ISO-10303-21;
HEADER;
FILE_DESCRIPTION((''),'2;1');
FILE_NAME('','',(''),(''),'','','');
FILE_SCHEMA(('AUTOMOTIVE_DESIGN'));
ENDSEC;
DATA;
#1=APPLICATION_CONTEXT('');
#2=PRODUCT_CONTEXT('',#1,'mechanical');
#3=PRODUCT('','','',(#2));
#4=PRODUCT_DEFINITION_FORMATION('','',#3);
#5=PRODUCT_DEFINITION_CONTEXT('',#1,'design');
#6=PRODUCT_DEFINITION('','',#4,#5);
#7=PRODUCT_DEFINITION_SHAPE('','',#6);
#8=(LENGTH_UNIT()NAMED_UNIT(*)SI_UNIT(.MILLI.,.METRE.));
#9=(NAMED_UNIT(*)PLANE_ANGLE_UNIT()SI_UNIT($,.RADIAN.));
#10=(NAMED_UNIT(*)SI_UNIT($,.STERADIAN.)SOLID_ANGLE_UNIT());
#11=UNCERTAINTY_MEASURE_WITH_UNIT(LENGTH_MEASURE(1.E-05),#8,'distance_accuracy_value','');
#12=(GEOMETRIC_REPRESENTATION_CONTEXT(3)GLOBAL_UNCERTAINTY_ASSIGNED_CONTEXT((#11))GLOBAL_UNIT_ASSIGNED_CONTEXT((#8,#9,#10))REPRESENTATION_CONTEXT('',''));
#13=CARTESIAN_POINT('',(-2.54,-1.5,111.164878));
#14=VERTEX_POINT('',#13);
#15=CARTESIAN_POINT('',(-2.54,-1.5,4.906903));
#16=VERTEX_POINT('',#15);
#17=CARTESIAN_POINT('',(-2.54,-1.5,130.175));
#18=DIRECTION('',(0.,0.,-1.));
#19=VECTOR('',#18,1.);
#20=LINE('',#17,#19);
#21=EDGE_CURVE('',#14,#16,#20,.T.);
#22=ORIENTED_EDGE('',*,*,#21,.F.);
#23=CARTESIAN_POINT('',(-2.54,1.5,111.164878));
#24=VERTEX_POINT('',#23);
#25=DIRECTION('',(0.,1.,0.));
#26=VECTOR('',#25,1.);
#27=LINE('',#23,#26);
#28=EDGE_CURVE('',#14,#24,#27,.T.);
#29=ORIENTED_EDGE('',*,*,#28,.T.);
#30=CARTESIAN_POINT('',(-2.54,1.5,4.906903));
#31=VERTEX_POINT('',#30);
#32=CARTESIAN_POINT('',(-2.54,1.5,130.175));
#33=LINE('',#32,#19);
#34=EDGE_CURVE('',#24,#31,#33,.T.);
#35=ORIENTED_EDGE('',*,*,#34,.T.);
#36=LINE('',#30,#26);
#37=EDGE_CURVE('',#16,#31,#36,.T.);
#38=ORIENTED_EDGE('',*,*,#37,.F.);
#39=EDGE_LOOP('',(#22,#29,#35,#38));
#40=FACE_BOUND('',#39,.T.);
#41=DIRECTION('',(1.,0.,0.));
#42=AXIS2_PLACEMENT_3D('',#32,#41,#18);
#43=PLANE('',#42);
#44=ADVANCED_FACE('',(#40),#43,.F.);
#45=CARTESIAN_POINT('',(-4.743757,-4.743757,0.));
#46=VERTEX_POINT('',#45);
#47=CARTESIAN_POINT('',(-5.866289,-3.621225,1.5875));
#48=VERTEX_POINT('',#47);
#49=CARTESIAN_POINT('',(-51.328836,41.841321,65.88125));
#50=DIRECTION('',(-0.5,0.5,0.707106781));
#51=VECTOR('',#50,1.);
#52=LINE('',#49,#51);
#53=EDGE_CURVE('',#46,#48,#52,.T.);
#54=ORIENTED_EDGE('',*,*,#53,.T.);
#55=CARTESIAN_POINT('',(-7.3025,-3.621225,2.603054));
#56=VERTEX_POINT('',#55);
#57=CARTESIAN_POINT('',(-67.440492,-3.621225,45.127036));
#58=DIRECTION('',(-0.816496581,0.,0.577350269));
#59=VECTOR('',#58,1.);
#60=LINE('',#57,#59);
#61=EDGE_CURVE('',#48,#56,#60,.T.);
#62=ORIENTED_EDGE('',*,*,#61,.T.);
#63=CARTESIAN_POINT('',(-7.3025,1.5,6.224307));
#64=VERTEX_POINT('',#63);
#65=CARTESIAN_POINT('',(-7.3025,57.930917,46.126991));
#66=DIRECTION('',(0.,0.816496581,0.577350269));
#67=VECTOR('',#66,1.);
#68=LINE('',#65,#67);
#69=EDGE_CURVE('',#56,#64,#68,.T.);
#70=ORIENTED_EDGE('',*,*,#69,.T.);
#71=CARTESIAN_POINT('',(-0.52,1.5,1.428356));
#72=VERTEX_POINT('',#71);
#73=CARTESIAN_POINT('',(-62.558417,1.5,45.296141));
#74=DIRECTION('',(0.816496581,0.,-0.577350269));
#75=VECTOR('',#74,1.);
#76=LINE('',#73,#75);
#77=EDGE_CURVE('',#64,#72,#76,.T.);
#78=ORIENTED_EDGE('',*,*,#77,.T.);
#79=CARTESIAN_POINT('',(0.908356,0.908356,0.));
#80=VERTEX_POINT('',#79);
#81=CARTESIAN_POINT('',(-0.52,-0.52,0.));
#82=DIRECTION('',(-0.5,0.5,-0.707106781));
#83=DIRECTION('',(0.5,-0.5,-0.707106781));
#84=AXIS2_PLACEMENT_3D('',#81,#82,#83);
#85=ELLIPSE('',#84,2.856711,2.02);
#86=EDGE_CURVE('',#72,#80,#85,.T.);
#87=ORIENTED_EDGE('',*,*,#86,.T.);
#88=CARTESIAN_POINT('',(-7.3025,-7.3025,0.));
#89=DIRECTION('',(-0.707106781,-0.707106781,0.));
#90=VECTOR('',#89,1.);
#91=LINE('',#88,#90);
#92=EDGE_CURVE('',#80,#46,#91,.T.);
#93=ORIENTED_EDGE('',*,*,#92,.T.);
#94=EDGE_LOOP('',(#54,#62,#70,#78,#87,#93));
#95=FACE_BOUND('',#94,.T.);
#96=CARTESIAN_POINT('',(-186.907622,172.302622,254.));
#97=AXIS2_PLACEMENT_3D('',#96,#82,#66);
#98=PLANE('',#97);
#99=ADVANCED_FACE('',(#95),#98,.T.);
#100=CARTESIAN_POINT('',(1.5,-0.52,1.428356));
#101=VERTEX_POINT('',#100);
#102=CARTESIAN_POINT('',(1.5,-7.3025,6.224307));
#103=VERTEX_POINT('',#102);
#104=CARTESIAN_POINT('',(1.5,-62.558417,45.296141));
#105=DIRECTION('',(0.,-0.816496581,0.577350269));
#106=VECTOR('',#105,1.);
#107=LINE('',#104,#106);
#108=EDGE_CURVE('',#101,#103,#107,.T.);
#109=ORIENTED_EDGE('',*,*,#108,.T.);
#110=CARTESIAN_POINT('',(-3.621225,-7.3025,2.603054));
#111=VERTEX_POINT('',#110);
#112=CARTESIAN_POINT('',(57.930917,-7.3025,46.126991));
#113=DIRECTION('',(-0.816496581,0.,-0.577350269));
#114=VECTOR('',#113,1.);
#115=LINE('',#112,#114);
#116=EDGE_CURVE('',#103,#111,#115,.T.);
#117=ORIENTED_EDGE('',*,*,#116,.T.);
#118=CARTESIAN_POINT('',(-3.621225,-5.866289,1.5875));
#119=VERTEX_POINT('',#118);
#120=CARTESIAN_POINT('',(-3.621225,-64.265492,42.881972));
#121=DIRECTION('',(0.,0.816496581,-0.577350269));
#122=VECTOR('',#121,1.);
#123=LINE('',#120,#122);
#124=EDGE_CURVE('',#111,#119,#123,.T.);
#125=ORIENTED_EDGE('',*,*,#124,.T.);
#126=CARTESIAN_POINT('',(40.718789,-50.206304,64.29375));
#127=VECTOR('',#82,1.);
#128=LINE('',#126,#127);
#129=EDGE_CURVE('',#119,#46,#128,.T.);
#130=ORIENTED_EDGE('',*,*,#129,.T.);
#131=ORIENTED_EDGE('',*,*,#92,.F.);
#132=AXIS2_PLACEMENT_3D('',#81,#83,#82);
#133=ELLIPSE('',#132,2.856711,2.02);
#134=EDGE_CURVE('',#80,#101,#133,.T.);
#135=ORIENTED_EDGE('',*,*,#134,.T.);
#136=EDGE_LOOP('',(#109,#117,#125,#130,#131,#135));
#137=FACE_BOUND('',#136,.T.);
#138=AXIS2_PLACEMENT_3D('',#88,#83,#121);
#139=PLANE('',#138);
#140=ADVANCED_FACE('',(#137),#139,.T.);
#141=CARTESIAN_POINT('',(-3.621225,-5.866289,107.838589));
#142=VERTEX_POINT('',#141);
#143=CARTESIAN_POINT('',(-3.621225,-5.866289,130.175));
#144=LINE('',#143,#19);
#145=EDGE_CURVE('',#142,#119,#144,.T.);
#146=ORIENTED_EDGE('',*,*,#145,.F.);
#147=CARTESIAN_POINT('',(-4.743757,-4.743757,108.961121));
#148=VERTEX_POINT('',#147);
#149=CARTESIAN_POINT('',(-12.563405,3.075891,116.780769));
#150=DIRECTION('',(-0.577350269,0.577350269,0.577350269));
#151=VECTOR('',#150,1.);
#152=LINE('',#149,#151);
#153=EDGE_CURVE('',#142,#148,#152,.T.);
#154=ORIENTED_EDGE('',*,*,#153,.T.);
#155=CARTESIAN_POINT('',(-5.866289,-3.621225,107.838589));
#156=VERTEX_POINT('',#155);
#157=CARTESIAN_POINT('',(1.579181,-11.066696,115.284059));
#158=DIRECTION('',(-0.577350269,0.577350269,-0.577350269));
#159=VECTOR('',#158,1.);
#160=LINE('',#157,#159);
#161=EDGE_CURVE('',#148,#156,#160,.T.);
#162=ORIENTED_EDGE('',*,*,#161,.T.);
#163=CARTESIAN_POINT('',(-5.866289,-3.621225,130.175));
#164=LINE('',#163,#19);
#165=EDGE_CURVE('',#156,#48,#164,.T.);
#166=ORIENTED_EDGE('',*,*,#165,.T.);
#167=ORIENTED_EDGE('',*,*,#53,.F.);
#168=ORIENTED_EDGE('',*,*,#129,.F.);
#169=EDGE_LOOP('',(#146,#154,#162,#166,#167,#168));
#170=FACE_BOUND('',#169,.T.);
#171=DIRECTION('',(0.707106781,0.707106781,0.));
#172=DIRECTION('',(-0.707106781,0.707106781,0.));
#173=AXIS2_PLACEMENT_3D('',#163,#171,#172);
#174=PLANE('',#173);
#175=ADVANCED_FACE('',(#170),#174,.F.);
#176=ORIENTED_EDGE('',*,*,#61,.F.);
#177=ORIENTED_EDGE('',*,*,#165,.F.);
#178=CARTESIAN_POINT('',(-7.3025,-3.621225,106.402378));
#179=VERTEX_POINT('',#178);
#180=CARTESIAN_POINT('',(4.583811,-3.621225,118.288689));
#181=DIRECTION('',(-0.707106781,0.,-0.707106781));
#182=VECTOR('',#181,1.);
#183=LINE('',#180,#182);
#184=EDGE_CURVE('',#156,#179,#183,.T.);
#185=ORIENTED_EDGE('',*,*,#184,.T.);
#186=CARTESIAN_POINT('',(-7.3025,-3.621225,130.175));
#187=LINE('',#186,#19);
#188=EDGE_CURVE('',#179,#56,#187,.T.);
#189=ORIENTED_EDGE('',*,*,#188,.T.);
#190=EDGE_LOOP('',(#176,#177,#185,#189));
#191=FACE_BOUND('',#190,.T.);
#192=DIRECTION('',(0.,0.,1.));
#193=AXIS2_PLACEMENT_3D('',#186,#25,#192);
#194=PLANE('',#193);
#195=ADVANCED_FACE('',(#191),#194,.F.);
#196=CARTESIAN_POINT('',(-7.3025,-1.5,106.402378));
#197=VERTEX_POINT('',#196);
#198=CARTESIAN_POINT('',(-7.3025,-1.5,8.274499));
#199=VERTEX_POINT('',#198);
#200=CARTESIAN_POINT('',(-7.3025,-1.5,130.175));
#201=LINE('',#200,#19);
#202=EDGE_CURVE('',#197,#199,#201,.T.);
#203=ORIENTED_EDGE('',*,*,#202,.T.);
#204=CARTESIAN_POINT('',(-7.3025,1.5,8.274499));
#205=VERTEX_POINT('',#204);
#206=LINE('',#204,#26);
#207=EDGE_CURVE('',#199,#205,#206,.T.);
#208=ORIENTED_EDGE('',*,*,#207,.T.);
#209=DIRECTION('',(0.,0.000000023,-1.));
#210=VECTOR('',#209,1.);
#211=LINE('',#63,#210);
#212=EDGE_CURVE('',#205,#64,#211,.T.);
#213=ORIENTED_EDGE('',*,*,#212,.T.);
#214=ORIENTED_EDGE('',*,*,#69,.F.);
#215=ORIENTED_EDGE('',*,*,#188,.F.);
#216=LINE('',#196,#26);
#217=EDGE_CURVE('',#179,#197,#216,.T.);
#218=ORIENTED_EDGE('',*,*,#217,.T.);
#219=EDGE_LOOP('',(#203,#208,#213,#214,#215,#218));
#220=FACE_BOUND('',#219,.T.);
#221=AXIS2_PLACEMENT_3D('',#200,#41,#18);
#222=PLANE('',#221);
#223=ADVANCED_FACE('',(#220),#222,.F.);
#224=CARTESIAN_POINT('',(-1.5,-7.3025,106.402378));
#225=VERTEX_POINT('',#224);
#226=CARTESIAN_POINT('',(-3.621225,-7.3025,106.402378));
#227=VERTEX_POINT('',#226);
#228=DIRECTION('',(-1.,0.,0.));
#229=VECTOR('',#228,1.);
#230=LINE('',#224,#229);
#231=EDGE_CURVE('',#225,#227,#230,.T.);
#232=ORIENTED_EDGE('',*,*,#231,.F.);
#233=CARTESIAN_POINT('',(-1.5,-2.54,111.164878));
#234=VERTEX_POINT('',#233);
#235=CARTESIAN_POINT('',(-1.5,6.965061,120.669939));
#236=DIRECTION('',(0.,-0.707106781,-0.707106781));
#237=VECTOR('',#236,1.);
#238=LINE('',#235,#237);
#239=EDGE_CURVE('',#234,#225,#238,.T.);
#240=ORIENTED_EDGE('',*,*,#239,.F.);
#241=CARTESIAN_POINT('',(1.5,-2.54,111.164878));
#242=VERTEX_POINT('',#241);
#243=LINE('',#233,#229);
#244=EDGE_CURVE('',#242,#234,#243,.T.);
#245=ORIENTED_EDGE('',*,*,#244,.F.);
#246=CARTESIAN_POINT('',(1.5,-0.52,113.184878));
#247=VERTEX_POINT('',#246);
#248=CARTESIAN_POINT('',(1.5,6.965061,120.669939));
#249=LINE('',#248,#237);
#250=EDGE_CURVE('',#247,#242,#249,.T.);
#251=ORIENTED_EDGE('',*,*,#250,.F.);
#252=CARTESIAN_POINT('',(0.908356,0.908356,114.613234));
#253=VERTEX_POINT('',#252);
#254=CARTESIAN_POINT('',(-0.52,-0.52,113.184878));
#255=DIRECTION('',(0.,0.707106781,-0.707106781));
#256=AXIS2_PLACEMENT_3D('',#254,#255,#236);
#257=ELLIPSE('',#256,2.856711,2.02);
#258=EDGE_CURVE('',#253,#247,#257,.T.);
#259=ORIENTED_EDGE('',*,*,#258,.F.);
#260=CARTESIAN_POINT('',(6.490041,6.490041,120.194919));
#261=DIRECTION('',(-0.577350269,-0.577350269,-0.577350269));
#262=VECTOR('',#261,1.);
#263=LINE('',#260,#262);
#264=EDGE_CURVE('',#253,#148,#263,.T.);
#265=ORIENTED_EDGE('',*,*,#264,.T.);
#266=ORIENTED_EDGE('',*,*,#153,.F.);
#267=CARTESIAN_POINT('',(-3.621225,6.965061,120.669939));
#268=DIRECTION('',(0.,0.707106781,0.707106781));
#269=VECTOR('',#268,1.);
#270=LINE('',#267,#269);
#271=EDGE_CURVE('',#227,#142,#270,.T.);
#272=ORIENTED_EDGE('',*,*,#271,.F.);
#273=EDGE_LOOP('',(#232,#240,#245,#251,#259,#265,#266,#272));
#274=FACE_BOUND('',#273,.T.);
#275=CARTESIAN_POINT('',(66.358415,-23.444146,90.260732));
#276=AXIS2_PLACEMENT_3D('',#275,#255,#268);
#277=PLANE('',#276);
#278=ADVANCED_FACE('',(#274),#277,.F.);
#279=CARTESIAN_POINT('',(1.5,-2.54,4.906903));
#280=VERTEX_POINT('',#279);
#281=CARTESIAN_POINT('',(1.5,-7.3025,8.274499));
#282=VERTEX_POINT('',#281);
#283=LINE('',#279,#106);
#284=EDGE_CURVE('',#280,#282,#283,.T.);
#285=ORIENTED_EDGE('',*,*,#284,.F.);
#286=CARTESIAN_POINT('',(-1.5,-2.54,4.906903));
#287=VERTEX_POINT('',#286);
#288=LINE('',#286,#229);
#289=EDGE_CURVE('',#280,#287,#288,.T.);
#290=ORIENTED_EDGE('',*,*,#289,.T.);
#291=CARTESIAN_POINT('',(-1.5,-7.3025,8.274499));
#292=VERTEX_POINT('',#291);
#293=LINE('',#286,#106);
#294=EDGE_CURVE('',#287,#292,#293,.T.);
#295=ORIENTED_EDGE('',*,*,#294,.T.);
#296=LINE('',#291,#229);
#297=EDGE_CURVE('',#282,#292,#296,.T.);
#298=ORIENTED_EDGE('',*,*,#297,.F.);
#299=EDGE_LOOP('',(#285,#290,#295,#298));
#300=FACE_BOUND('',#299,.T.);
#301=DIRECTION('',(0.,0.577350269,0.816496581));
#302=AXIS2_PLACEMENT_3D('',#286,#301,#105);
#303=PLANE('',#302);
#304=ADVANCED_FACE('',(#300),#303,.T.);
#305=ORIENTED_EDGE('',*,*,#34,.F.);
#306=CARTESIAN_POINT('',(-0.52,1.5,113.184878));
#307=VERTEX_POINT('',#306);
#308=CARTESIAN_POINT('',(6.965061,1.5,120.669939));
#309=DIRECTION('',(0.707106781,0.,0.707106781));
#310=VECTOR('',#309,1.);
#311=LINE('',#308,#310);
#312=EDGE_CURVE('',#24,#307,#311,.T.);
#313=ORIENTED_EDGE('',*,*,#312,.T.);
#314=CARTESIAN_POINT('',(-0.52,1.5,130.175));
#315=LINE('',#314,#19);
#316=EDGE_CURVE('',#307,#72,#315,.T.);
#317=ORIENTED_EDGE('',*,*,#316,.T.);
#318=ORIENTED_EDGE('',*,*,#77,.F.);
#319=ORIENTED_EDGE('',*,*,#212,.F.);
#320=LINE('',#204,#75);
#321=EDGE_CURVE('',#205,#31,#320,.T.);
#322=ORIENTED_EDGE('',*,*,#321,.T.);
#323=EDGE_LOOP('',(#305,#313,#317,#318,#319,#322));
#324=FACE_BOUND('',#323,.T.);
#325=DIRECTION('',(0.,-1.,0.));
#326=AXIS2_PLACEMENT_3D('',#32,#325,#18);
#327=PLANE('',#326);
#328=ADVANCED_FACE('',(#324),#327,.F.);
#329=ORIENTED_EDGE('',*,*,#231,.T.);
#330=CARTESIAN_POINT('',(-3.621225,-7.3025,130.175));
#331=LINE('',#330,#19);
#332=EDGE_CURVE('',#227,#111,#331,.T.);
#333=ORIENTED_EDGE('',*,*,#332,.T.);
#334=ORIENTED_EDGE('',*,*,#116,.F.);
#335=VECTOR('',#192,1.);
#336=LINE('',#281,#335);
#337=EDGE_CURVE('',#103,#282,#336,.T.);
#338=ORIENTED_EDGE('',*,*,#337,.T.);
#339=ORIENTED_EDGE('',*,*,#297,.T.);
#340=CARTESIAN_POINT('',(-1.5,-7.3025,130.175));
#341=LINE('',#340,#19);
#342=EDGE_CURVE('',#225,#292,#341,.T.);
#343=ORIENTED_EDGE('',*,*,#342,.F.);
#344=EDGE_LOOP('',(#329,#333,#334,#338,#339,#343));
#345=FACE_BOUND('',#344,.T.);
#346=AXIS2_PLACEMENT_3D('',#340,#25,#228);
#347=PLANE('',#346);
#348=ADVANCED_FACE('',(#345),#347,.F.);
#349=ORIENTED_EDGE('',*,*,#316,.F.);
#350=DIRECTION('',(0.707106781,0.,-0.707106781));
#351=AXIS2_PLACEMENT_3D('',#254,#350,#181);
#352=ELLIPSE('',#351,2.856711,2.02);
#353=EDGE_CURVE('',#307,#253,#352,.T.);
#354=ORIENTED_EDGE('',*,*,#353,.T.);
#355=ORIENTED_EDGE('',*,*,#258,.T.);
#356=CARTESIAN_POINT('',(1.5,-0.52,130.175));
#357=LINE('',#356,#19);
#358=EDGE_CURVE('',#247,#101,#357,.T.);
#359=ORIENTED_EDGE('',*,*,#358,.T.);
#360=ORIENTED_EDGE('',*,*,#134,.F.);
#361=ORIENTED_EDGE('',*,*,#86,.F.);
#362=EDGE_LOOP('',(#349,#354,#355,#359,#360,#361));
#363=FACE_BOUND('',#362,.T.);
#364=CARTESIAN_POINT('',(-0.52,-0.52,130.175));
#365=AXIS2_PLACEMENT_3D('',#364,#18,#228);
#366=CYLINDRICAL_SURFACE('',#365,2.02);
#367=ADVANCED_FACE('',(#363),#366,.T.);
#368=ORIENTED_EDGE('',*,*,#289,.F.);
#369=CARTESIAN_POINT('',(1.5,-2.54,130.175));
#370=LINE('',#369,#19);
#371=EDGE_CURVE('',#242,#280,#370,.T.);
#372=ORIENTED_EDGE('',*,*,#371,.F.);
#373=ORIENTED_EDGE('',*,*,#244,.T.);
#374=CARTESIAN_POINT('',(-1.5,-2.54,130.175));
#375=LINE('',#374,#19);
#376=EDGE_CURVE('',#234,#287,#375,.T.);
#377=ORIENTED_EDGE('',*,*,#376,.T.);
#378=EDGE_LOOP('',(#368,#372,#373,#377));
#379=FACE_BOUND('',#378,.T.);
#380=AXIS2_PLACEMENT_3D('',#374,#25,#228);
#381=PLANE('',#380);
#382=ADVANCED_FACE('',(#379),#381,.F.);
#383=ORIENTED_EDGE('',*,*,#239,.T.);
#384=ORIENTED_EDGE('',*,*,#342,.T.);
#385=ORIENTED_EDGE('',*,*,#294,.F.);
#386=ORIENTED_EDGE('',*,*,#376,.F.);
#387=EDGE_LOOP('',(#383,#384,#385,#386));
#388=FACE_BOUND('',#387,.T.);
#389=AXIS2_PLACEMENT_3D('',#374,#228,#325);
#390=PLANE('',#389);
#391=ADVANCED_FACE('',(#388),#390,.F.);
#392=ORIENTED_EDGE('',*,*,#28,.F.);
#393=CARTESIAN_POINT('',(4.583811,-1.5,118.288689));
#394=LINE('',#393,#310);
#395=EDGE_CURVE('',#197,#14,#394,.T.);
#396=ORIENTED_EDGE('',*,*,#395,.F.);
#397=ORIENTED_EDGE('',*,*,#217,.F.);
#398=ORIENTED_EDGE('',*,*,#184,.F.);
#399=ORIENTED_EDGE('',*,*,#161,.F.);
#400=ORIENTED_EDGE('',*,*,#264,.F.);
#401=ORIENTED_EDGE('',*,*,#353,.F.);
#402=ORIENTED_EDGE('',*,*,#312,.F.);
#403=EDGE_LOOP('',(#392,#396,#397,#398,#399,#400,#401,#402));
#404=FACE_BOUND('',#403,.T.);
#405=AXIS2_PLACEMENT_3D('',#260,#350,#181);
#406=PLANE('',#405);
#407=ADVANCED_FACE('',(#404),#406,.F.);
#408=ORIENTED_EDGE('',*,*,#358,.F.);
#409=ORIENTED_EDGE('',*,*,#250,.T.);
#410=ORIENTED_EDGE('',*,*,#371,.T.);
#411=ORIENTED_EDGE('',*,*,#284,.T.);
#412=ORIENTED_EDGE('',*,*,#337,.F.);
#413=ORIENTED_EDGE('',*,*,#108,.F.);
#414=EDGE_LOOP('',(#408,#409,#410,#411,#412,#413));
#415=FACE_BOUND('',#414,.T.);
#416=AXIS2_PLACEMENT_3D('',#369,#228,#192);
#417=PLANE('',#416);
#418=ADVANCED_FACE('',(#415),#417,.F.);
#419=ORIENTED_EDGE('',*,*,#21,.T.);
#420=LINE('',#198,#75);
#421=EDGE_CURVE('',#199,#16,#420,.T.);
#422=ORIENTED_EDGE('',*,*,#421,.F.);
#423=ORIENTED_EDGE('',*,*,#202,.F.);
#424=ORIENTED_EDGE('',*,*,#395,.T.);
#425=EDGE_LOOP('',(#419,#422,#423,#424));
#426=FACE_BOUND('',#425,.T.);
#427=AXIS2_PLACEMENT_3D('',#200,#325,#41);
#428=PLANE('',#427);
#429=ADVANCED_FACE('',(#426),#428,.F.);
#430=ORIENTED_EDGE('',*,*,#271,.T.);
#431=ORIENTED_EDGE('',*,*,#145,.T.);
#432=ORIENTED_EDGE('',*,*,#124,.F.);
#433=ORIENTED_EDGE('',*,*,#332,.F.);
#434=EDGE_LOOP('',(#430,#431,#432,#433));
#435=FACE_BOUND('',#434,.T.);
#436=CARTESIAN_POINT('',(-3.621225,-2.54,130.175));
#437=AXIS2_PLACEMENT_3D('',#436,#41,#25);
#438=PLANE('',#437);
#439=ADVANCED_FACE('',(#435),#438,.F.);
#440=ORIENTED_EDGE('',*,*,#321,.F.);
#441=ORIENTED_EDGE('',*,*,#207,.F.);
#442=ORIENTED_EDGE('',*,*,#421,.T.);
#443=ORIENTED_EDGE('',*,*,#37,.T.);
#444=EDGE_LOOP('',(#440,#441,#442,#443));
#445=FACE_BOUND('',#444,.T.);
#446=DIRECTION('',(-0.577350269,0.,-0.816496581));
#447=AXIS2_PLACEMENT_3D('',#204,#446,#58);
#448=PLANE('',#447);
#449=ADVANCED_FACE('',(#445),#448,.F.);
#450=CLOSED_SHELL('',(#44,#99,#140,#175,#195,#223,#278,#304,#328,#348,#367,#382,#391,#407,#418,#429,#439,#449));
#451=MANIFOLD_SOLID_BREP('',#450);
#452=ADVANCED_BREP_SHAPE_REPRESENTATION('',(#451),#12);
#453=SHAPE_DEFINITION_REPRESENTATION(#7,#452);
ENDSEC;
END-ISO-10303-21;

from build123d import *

# Parameters (mm, degrees)
SKETCH7_W               = 4.7625
SKETCH7_H               = 2.12122512
BOSS_EXTRUDE2_DEPTH     = 130.175
SKETCH8_W               = 2.12122512
SKETCH8_H               = 4.7625
BOSS_EXTRUDE3_DEPTH     = 130.175
BOSS_EXTRUDE4_DEPTH     = 130.175
CUT_EXTRUDE6_DEPTH      = 245.098438966
CUT_EXTRUDE6_DEPTH_BACK = 245.098438966
CUT_EXTRUDE7_DEPTH      = 219.920809905
CUT_EXTRUDE7_DEPTH_BACK = 219.920809905


with BuildPart() as part:
    # Sketch7 → Boss-Extrude2 (new, symmetric)
    with BuildSketch(Plane.XY):
        with Locations((-4.92125, -2.560612608)):
            Rectangle(SKETCH7_W, SKETCH7_H)
    extrude(amount=BOSS_EXTRUDE2_DEPTH, both=True)

    # Sketch8 → Boss-Extrude3 (add, symmetric)
    with BuildSketch(Plane.XY):
        with Locations((-2.560612608, -4.92125)):
            Rectangle(SKETCH8_W, SKETCH8_H)
    extrude(amount=BOSS_EXTRUDE3_DEPTH, both=True)

    # Sketch11 → Boss-Extrude4 (add, symmetric)
    with BuildSketch(Plane.XY):
        with BuildLine():
            Line((-2.54, 1.500000048), (-2.54, -1.500000048))
            Line((-2.54, -1.500000048), (-7.3025, -1.500000048))
            Line((-7.3025, -1.500000048), (-7.3025, -3.621225168))
            Line((-7.3025, -3.621225168), (-5.866289198, -3.621225168))
            Line((-5.866289198, -3.621225168), (-3.621225168, -5.866289198))
            Line((-3.621225168, -5.866289198), (-3.621225168, -7.3025))
            Line((-3.621225168, -7.3025), (-1.500000048, -7.3025))
            Line((-1.500000048, -7.3025), (-1.500000048, -2.54))
            Line((-1.500000048, -2.54), (1.500000048, -2.54))
            Line((1.500000048, -2.54), (1.500000048, -0.519999976))
            ThreePointArc((1.500000048, -0.519999976), (0.908355739, 0.908355739), (-0.519999976, 1.500000048))
            Line((-0.519999976, 1.500000048), (-2.54, 1.500000048))
        make_face()
    extrude(amount=BOSS_EXTRUDE4_DEPTH, both=True)

    # Sketch18 → Cut-Extrude6 (cut, two sides: drawn at the far end of the back side and taken through both)
    with BuildSketch(Plane(origin=(0, 0, 113.704878), x_dir=(-0.7071067811865466, 0.7071067811865485, 0), z_dir=(-0.5773502691896266, -0.577350269189625, -0.577350269189626)).offset(-CUT_EXTRUDE6_DEPTH_BACK)):
        Polygon((0, 0), (63.5, 36.661742094), (0, -73.323484187), (-63.5, 36.661742094), align=None)
    extrude(amount=CUT_EXTRUDE6_DEPTH + CUT_EXTRUDE6_DEPTH_BACK, mode=Mode.SUBTRACT)

    # Sketch19 → Cut-Extrude7 (cut, two sides: drawn at the far end of the back side and taken through both)
    with BuildSketch(Plane(origin=(-66.606775424, -160.802980576, 0), x_dir=(0.7071067811865466, -0.7071067811865485, 0), z_dir=(0.7071067811865485, 0.7071067811865466, 0)).offset(-CUT_EXTRUDE7_DEPTH_BACK)):
        Polygon((-66.606775424, 0), (187.393224576, -254), (187.393224576, 254), (-320.606775424, 254), (-320.606775424, -254), align=None)
    extrude(amount=CUT_EXTRUDE7_DEPTH + CUT_EXTRUDE7_DEPTH_BACK, mode=Mode.SUBTRACT)

    # Sweep1: sweep along a curve in space
    with BuildLine() as sweep1_path:
        Line((-7.3025, -1.500000048, 4.102987064), (-2.54, -1.500000048, 0.735391018))
    # Sketch20 → Sweep1 (sweep)
    with BuildSketch(Plane.ZY.offset(2.54)):
        Polygon((4.906903198, 1.5), (4.906903198, -1.500000048), (0.735391018, -1.500000048), (2.85671143, 1.500000048), align=None)
    sweep(path=sweep1_path.line)

    # Sweep2: sweep along a curve in space
    with BuildLine() as sweep2_path:
        Line((-1.500000048, -2.54, 0.735391018), (-1.500000048, -7.3025, 4.102987064))
    # Sketch21 → Sweep2 (sweep)
    with BuildSketch(Plane.XZ.offset(2.54)):
        Polygon((-1.500000048, 4.906903198), (1.500000048, 4.906903198), (1.500000048, 2.85671143), (-1.500000048, 0.735391018), align=None)
    sweep(path=sweep2_path.line)


solid = part.part
